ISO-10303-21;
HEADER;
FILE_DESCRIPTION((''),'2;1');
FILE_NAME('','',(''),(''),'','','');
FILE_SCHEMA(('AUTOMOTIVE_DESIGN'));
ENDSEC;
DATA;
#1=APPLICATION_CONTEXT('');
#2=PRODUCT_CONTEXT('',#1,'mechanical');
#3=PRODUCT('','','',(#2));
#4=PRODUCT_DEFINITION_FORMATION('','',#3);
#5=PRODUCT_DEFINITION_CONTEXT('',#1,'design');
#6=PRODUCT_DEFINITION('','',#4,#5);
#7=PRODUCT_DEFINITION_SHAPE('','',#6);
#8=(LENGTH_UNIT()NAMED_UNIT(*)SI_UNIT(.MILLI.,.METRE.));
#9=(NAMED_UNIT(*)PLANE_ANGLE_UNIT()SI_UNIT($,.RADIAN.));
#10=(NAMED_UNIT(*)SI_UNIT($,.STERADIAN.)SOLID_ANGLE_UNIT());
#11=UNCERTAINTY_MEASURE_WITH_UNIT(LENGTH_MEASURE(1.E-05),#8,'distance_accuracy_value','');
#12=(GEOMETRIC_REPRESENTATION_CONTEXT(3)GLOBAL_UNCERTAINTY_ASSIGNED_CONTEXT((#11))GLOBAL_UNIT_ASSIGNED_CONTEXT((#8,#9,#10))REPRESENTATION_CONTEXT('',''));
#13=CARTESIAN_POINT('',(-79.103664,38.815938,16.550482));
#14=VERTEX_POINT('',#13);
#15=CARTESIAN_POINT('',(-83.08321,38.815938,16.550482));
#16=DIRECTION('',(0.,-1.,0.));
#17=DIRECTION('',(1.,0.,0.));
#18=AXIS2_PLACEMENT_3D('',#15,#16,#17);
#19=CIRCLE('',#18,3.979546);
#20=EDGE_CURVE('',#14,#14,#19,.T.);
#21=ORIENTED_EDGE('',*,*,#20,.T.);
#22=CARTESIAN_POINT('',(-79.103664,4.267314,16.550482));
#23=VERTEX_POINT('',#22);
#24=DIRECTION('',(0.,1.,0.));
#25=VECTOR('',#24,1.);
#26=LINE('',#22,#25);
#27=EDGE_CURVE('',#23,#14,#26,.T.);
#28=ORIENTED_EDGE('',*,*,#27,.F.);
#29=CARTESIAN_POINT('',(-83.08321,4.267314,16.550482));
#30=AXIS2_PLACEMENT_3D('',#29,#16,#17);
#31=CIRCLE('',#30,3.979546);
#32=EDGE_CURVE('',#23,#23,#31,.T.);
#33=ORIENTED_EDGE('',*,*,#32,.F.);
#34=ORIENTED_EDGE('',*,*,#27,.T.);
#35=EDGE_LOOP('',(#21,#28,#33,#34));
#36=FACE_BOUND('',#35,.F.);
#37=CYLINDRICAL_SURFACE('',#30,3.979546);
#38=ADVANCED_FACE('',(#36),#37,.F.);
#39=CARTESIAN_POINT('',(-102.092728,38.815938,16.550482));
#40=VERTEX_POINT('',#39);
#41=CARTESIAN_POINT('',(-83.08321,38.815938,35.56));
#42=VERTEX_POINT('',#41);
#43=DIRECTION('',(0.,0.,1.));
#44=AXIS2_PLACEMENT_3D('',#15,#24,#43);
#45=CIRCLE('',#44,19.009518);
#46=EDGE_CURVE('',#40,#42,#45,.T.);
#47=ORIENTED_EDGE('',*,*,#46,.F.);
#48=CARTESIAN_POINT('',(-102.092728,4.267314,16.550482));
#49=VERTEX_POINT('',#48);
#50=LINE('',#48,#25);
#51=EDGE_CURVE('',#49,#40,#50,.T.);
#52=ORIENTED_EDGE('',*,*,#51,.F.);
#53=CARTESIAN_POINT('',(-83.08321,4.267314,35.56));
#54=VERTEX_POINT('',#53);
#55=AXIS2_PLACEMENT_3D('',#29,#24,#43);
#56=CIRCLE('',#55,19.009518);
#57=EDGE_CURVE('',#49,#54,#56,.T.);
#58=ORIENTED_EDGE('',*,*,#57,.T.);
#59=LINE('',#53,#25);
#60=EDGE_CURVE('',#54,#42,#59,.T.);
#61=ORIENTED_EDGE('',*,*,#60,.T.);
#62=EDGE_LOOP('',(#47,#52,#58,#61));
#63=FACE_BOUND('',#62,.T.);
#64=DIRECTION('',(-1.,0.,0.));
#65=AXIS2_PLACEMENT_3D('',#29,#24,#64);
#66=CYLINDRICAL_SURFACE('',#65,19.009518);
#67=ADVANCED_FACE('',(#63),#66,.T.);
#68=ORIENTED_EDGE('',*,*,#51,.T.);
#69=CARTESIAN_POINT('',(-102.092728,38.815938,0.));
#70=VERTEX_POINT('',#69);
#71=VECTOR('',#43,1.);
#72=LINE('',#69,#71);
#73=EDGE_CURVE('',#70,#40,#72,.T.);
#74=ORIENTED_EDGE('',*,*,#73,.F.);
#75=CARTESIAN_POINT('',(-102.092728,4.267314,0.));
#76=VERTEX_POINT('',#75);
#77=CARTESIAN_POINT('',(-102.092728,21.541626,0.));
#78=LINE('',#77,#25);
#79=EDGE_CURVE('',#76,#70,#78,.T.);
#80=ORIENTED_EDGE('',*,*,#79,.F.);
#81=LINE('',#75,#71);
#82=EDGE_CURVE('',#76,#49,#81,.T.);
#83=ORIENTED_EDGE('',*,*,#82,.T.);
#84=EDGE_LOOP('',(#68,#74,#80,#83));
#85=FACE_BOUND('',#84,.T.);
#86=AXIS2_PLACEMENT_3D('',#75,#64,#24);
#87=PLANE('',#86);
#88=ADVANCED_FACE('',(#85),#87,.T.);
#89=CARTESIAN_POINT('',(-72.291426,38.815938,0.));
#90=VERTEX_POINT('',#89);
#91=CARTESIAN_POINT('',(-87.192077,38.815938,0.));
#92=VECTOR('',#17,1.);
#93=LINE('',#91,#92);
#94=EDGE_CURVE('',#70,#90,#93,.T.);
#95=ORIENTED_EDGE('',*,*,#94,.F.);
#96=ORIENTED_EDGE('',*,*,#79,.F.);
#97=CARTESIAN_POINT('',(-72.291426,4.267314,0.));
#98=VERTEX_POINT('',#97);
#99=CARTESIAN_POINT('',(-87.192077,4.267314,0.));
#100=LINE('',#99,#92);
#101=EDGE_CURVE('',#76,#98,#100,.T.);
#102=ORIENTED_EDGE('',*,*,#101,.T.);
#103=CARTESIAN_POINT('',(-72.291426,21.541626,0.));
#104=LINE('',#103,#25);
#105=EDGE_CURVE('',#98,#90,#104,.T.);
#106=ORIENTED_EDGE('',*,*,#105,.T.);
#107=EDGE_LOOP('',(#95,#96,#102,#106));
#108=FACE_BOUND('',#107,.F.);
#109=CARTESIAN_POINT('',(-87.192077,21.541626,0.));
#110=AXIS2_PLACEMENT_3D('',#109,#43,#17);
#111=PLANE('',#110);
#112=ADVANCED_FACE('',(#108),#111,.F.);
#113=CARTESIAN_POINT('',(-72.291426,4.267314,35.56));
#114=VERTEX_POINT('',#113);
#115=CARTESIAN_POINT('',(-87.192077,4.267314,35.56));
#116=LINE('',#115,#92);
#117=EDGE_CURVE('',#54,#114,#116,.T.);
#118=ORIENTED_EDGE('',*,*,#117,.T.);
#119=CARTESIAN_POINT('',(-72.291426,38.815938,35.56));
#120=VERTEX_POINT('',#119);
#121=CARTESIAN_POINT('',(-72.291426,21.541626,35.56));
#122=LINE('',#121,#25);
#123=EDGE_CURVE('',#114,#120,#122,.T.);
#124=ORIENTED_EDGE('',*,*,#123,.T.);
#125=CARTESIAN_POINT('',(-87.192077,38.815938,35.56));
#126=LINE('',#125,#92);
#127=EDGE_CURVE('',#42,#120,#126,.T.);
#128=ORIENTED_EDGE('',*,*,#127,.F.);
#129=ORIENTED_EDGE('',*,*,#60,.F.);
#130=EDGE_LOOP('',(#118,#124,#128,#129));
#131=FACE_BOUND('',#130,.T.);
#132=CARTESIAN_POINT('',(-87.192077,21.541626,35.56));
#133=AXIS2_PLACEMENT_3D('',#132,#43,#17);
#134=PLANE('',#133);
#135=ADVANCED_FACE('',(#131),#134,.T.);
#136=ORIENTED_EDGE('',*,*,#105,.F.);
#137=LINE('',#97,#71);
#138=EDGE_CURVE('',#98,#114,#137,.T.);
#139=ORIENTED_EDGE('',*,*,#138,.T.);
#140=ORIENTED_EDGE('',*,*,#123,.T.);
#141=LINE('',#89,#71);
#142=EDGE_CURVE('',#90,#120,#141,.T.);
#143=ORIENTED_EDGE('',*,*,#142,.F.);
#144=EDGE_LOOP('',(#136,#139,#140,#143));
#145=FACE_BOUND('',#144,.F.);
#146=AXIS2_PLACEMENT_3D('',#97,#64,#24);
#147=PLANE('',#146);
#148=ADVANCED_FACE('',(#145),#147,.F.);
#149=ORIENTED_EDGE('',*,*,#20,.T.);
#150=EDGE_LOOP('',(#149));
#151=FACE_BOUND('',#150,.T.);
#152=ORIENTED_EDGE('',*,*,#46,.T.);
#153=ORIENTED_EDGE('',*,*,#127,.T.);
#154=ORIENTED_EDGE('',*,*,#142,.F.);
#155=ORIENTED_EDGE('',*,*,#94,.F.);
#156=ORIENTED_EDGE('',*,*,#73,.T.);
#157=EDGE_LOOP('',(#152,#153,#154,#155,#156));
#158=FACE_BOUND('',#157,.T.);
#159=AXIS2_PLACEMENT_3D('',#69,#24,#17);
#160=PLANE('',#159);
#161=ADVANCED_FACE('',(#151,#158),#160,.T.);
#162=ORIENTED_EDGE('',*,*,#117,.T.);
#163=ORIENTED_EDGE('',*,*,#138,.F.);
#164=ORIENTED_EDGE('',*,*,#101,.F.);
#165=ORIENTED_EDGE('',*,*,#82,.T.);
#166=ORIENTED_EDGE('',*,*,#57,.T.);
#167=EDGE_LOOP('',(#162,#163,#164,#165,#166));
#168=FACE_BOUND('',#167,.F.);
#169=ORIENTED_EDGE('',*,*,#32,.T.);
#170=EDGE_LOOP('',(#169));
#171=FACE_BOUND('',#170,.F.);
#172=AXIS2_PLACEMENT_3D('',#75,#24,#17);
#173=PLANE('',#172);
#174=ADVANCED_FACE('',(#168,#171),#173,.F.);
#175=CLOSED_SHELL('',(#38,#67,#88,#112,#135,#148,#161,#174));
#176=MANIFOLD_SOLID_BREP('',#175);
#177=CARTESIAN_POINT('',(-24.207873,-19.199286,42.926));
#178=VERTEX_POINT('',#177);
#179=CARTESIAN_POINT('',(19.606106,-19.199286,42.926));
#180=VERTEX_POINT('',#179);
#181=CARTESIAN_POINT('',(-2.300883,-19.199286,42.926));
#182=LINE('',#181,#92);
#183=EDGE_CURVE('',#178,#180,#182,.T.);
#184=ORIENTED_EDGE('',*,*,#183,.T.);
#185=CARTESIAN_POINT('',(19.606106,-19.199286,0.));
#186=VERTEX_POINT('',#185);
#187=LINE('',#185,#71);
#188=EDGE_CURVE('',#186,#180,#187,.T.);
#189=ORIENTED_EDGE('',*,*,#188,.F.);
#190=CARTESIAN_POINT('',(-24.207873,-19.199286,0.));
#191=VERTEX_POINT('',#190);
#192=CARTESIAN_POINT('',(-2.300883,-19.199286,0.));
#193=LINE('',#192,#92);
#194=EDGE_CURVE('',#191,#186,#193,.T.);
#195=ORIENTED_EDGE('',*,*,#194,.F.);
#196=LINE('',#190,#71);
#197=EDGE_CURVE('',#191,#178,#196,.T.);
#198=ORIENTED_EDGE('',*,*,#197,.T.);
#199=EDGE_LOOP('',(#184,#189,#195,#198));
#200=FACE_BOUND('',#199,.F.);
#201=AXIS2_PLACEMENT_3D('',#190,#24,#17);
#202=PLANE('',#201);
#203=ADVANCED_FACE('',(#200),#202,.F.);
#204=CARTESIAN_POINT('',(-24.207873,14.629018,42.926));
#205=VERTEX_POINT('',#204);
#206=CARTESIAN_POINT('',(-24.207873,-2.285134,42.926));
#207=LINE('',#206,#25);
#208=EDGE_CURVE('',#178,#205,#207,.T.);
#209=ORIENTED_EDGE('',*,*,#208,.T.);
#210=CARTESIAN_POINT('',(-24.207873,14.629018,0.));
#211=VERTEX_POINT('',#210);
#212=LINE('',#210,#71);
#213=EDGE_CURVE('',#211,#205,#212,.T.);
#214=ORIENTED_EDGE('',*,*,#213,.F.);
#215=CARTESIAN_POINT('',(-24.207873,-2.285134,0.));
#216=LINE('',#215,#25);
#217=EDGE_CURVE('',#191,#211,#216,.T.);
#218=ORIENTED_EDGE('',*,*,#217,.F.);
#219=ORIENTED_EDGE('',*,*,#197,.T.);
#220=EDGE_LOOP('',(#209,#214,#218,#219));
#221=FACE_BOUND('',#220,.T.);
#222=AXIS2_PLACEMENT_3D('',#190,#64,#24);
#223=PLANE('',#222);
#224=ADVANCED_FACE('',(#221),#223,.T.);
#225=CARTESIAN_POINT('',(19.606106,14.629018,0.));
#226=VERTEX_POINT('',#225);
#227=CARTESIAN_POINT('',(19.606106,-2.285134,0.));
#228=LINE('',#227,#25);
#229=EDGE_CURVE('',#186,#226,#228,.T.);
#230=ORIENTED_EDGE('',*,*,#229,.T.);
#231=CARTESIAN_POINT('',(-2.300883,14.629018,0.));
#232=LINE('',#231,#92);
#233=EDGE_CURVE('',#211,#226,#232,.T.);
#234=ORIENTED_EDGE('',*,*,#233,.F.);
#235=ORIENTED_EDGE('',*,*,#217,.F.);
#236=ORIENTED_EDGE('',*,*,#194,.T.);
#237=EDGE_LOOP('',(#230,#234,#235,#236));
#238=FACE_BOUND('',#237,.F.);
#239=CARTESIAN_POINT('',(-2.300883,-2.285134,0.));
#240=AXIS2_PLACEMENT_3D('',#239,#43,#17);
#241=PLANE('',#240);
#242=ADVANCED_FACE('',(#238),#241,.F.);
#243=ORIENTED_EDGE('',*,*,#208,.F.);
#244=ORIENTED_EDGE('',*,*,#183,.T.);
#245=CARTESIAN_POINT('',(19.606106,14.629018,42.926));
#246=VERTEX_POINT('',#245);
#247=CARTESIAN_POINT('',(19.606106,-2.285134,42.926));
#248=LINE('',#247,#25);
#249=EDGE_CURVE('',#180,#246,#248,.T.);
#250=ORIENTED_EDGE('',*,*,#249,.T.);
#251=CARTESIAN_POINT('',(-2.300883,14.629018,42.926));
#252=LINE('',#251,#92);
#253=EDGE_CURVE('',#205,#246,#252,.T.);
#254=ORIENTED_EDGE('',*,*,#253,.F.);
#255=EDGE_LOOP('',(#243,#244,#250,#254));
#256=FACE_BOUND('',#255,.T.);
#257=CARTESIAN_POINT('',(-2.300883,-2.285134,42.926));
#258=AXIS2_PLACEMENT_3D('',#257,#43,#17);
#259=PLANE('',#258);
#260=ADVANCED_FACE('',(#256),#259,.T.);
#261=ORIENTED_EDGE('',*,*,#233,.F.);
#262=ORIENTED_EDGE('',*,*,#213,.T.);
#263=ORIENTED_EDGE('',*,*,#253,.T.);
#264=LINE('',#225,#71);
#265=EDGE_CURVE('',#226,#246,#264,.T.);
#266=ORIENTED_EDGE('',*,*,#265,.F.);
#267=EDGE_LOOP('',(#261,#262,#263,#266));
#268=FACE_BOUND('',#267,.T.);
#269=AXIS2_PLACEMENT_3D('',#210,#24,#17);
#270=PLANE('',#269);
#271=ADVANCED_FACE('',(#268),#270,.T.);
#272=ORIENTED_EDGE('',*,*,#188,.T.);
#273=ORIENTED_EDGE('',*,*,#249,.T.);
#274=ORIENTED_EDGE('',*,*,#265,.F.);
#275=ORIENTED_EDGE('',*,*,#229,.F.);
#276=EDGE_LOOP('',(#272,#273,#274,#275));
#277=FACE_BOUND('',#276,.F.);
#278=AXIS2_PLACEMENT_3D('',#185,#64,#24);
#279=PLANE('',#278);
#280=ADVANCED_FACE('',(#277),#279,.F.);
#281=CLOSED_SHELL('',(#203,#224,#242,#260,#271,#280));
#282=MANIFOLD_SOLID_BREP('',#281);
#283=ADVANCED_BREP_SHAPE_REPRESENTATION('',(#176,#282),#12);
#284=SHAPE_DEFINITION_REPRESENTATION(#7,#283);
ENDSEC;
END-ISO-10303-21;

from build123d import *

# Parameters (mm, degrees)
F0_W     = 29.801302
F0_H     = 34.548624
F1_DEPTH = 35.56
F2_R     = 19.009518
F3_R     = 3.979546
F4_DEPTH = 34.548624
F5_W     = 43.813979
F5_H     = 33.828304
F6_DEPTH = 42.926


with BuildPart() as f1:
    # F0 (on Top) → F1 (new body)
    with BuildSketch(Plane.XY):
        with Locations((-87.192077, 21.541626)):
            Rectangle(F0_W, F0_H)
    extrude(amount=F1_DEPTH)

    # F2
    f2_edges = [f1.edges().sort_by_distance(p)[0] for p in [
        (-102.092728, 21.541626, 35.56),
    ]]
    fillet(f2_edges, radius=F2_R)

    # F3 (on face) → F4 (cut, through all)
    with BuildSketch(Plane.XZ.offset(-4.267314)):
        with Locations((-83.08321, 16.550482)):
            Circle(F3_R)
    extrude(amount=-F4_DEPTH, mode=Mode.SUBTRACT)


with BuildPart() as f6:
    # F5 (on Top) → F6 (new body)
    with BuildSketch(Plane.XY):
        with Locations((-2.300883, -2.285134)):
            Rectangle(F5_W, F5_H)
    extrude(amount=F6_DEPTH)


solid = Compound([f1.part, f6.part])
